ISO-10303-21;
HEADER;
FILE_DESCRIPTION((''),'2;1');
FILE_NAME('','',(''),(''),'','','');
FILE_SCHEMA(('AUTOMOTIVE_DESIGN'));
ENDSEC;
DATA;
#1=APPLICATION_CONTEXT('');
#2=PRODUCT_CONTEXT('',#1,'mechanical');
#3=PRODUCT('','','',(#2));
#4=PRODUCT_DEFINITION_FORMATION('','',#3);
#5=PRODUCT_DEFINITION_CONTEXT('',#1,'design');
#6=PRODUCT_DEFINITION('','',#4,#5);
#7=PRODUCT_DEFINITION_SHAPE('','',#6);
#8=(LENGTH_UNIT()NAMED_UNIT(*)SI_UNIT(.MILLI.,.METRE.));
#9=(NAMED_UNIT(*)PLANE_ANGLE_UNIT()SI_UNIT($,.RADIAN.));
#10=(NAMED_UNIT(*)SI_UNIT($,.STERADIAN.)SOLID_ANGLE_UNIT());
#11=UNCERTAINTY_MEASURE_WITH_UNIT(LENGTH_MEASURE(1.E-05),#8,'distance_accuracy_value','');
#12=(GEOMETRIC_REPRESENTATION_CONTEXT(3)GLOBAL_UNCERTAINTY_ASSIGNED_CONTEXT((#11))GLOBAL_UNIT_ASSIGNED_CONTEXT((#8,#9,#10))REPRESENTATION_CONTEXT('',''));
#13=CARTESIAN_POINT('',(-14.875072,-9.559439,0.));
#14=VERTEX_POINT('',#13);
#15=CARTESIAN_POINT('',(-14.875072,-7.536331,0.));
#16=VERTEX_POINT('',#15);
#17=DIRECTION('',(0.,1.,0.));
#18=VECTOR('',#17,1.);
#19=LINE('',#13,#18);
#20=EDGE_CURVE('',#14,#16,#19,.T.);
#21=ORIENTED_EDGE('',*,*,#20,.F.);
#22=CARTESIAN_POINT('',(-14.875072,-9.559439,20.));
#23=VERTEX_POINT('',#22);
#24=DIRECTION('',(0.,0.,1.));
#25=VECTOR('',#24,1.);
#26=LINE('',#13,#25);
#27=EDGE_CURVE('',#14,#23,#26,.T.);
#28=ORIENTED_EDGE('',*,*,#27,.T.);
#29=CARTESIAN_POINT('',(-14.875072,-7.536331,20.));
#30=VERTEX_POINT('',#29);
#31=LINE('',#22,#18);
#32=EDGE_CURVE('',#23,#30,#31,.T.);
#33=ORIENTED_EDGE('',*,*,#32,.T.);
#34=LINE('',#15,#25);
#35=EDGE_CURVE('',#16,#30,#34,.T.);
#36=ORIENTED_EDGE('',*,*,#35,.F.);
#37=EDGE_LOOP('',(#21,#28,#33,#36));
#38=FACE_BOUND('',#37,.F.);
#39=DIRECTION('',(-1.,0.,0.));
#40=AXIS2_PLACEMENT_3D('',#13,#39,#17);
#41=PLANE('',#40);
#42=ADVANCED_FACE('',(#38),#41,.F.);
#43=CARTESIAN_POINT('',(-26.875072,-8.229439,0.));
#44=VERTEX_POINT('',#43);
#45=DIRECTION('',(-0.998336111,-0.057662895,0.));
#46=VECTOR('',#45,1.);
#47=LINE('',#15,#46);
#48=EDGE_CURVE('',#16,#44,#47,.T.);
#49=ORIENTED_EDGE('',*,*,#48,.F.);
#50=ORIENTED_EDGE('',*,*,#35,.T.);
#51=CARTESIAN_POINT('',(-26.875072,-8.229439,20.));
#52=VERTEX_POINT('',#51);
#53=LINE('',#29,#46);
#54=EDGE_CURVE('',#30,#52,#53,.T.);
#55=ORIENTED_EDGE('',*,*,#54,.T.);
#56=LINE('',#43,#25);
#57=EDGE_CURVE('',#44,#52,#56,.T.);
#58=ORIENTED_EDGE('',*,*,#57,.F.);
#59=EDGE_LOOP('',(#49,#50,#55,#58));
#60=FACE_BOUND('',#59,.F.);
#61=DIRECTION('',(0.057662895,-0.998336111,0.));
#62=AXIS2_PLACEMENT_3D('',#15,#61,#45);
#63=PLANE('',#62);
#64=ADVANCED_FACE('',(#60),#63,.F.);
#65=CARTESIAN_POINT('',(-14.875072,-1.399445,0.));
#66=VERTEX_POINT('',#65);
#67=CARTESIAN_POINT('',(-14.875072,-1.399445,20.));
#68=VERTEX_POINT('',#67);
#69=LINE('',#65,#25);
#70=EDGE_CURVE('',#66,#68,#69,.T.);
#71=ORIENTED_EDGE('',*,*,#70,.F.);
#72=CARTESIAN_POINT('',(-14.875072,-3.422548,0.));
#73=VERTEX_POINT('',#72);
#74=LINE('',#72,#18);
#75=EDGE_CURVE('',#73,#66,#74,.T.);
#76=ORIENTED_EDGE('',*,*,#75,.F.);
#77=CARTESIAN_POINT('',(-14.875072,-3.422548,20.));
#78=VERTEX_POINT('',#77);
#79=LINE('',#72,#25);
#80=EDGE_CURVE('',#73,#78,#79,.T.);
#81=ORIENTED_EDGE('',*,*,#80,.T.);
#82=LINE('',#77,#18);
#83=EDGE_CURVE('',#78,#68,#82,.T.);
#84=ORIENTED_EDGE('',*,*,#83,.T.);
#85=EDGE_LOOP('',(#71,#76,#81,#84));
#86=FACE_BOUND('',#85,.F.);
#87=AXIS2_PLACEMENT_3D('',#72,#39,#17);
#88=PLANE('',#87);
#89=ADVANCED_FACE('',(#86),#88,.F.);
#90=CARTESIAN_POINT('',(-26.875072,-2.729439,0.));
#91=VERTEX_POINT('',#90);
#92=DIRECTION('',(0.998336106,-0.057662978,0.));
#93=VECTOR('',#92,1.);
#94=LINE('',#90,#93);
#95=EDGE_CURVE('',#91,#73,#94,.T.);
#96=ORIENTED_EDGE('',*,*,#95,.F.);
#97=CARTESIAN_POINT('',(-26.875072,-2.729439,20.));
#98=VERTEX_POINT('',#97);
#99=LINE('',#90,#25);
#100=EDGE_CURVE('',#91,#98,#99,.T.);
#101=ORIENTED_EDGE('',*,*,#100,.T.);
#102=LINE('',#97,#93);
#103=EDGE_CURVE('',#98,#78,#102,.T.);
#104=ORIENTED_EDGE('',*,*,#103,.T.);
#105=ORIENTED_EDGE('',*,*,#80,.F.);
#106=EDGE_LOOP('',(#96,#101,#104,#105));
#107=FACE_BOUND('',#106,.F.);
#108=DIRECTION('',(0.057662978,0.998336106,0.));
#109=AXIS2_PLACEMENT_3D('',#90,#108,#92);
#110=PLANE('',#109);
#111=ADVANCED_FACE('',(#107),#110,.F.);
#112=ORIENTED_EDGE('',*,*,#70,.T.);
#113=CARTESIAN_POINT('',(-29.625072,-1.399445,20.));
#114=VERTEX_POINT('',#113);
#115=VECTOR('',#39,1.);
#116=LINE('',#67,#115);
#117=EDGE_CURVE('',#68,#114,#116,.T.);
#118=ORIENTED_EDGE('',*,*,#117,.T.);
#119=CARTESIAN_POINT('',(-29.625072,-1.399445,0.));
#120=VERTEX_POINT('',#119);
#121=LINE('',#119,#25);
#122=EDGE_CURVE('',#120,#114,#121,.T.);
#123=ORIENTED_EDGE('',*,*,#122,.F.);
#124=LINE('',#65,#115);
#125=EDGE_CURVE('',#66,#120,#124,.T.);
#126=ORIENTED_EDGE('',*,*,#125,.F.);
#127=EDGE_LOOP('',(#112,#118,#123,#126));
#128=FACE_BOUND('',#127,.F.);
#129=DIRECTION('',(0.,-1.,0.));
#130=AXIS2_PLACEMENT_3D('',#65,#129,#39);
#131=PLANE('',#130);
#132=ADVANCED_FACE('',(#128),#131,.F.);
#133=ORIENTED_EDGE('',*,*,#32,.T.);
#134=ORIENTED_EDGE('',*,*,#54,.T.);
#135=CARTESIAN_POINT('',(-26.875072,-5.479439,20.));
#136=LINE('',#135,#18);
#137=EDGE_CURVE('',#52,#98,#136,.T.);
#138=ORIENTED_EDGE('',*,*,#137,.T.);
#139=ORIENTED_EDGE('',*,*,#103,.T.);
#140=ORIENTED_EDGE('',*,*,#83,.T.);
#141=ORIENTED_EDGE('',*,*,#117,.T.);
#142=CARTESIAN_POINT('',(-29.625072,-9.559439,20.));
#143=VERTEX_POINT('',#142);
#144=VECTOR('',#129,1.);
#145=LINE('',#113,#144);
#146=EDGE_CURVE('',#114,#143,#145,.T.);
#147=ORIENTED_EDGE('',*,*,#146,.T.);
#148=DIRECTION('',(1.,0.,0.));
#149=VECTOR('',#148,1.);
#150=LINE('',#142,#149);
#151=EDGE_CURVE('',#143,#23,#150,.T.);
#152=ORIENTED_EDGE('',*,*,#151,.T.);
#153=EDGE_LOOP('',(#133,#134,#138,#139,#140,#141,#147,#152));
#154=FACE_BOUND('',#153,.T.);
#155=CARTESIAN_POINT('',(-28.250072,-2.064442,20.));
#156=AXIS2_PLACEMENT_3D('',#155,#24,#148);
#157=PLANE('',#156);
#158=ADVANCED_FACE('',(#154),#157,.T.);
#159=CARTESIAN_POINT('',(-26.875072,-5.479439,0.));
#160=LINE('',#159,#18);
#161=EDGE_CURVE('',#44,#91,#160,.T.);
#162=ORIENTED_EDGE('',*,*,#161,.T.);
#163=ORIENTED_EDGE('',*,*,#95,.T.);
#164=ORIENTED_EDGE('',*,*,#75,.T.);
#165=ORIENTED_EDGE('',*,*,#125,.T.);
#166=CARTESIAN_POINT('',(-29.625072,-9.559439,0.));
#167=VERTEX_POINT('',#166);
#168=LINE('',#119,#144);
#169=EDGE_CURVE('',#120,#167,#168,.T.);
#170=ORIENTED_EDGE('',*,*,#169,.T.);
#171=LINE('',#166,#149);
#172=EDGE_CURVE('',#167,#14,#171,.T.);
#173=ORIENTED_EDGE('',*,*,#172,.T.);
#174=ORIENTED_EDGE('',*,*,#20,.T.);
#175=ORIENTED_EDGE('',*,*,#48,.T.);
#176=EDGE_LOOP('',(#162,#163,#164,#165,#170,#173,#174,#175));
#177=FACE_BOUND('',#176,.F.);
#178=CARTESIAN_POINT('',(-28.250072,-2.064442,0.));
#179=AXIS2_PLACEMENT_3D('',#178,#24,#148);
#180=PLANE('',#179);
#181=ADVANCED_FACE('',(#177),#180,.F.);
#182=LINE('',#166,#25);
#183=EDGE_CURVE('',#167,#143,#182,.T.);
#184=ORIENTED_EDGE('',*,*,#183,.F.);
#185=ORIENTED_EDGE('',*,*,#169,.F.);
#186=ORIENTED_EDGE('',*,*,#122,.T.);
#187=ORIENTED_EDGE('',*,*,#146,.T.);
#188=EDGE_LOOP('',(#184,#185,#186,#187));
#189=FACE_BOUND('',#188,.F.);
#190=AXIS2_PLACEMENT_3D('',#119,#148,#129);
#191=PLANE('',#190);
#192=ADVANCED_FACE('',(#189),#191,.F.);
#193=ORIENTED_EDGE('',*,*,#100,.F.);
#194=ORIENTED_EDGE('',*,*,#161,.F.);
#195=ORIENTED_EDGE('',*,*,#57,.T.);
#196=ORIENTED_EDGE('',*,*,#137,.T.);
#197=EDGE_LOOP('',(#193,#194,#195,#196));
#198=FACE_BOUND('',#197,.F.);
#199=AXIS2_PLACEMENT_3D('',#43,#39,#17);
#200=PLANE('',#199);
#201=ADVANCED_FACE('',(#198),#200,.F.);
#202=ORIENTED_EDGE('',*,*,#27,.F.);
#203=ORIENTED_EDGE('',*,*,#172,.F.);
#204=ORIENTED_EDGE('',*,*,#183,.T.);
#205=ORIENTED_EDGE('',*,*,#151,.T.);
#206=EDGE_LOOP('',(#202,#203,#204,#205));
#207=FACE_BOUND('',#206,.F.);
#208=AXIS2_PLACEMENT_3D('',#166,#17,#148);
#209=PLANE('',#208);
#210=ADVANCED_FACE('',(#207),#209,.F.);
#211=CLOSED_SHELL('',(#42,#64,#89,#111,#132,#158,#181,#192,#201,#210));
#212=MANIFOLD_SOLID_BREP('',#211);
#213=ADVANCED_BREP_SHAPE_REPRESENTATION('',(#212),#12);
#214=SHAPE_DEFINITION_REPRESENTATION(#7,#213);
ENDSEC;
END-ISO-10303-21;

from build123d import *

# Parameters (mm, degrees)
F0_W     = 2.75
F0_H     = 1.329994
F0_H_2   = 1.33
F0_H_3   = 5.5
F1_DEPTH = 20


with BuildPart() as f1:
    # F0 (on Top) → F1 (new body)
    with BuildSketch(Plane.XY):
        with Locations((-28.250072, -2.064442)):
            Rectangle(F0_W, F0_H)
        with Locations((-28.250072, -8.894439)):
            Rectangle(F0_W, F0_H_2)
        Polygon((-26.875072, -1.399445), (-26.875072, -2.729439), (-14.875072, -3.422548), (-14.875072, -2.711871), (-14.875072, -1.399445), align=None)
        Polygon((-14.875072, -7.536331), (-26.875072, -8.229439), (-26.875072, -9.559439), (-14.875072, -9.559439), (-14.875072, -7.857072), align=None)
        with Locations((-28.250072, -5.479439)):
            Rectangle(F0_W, F0_H_3)
    extrude(amount=F1_DEPTH)


solid = f1.part
